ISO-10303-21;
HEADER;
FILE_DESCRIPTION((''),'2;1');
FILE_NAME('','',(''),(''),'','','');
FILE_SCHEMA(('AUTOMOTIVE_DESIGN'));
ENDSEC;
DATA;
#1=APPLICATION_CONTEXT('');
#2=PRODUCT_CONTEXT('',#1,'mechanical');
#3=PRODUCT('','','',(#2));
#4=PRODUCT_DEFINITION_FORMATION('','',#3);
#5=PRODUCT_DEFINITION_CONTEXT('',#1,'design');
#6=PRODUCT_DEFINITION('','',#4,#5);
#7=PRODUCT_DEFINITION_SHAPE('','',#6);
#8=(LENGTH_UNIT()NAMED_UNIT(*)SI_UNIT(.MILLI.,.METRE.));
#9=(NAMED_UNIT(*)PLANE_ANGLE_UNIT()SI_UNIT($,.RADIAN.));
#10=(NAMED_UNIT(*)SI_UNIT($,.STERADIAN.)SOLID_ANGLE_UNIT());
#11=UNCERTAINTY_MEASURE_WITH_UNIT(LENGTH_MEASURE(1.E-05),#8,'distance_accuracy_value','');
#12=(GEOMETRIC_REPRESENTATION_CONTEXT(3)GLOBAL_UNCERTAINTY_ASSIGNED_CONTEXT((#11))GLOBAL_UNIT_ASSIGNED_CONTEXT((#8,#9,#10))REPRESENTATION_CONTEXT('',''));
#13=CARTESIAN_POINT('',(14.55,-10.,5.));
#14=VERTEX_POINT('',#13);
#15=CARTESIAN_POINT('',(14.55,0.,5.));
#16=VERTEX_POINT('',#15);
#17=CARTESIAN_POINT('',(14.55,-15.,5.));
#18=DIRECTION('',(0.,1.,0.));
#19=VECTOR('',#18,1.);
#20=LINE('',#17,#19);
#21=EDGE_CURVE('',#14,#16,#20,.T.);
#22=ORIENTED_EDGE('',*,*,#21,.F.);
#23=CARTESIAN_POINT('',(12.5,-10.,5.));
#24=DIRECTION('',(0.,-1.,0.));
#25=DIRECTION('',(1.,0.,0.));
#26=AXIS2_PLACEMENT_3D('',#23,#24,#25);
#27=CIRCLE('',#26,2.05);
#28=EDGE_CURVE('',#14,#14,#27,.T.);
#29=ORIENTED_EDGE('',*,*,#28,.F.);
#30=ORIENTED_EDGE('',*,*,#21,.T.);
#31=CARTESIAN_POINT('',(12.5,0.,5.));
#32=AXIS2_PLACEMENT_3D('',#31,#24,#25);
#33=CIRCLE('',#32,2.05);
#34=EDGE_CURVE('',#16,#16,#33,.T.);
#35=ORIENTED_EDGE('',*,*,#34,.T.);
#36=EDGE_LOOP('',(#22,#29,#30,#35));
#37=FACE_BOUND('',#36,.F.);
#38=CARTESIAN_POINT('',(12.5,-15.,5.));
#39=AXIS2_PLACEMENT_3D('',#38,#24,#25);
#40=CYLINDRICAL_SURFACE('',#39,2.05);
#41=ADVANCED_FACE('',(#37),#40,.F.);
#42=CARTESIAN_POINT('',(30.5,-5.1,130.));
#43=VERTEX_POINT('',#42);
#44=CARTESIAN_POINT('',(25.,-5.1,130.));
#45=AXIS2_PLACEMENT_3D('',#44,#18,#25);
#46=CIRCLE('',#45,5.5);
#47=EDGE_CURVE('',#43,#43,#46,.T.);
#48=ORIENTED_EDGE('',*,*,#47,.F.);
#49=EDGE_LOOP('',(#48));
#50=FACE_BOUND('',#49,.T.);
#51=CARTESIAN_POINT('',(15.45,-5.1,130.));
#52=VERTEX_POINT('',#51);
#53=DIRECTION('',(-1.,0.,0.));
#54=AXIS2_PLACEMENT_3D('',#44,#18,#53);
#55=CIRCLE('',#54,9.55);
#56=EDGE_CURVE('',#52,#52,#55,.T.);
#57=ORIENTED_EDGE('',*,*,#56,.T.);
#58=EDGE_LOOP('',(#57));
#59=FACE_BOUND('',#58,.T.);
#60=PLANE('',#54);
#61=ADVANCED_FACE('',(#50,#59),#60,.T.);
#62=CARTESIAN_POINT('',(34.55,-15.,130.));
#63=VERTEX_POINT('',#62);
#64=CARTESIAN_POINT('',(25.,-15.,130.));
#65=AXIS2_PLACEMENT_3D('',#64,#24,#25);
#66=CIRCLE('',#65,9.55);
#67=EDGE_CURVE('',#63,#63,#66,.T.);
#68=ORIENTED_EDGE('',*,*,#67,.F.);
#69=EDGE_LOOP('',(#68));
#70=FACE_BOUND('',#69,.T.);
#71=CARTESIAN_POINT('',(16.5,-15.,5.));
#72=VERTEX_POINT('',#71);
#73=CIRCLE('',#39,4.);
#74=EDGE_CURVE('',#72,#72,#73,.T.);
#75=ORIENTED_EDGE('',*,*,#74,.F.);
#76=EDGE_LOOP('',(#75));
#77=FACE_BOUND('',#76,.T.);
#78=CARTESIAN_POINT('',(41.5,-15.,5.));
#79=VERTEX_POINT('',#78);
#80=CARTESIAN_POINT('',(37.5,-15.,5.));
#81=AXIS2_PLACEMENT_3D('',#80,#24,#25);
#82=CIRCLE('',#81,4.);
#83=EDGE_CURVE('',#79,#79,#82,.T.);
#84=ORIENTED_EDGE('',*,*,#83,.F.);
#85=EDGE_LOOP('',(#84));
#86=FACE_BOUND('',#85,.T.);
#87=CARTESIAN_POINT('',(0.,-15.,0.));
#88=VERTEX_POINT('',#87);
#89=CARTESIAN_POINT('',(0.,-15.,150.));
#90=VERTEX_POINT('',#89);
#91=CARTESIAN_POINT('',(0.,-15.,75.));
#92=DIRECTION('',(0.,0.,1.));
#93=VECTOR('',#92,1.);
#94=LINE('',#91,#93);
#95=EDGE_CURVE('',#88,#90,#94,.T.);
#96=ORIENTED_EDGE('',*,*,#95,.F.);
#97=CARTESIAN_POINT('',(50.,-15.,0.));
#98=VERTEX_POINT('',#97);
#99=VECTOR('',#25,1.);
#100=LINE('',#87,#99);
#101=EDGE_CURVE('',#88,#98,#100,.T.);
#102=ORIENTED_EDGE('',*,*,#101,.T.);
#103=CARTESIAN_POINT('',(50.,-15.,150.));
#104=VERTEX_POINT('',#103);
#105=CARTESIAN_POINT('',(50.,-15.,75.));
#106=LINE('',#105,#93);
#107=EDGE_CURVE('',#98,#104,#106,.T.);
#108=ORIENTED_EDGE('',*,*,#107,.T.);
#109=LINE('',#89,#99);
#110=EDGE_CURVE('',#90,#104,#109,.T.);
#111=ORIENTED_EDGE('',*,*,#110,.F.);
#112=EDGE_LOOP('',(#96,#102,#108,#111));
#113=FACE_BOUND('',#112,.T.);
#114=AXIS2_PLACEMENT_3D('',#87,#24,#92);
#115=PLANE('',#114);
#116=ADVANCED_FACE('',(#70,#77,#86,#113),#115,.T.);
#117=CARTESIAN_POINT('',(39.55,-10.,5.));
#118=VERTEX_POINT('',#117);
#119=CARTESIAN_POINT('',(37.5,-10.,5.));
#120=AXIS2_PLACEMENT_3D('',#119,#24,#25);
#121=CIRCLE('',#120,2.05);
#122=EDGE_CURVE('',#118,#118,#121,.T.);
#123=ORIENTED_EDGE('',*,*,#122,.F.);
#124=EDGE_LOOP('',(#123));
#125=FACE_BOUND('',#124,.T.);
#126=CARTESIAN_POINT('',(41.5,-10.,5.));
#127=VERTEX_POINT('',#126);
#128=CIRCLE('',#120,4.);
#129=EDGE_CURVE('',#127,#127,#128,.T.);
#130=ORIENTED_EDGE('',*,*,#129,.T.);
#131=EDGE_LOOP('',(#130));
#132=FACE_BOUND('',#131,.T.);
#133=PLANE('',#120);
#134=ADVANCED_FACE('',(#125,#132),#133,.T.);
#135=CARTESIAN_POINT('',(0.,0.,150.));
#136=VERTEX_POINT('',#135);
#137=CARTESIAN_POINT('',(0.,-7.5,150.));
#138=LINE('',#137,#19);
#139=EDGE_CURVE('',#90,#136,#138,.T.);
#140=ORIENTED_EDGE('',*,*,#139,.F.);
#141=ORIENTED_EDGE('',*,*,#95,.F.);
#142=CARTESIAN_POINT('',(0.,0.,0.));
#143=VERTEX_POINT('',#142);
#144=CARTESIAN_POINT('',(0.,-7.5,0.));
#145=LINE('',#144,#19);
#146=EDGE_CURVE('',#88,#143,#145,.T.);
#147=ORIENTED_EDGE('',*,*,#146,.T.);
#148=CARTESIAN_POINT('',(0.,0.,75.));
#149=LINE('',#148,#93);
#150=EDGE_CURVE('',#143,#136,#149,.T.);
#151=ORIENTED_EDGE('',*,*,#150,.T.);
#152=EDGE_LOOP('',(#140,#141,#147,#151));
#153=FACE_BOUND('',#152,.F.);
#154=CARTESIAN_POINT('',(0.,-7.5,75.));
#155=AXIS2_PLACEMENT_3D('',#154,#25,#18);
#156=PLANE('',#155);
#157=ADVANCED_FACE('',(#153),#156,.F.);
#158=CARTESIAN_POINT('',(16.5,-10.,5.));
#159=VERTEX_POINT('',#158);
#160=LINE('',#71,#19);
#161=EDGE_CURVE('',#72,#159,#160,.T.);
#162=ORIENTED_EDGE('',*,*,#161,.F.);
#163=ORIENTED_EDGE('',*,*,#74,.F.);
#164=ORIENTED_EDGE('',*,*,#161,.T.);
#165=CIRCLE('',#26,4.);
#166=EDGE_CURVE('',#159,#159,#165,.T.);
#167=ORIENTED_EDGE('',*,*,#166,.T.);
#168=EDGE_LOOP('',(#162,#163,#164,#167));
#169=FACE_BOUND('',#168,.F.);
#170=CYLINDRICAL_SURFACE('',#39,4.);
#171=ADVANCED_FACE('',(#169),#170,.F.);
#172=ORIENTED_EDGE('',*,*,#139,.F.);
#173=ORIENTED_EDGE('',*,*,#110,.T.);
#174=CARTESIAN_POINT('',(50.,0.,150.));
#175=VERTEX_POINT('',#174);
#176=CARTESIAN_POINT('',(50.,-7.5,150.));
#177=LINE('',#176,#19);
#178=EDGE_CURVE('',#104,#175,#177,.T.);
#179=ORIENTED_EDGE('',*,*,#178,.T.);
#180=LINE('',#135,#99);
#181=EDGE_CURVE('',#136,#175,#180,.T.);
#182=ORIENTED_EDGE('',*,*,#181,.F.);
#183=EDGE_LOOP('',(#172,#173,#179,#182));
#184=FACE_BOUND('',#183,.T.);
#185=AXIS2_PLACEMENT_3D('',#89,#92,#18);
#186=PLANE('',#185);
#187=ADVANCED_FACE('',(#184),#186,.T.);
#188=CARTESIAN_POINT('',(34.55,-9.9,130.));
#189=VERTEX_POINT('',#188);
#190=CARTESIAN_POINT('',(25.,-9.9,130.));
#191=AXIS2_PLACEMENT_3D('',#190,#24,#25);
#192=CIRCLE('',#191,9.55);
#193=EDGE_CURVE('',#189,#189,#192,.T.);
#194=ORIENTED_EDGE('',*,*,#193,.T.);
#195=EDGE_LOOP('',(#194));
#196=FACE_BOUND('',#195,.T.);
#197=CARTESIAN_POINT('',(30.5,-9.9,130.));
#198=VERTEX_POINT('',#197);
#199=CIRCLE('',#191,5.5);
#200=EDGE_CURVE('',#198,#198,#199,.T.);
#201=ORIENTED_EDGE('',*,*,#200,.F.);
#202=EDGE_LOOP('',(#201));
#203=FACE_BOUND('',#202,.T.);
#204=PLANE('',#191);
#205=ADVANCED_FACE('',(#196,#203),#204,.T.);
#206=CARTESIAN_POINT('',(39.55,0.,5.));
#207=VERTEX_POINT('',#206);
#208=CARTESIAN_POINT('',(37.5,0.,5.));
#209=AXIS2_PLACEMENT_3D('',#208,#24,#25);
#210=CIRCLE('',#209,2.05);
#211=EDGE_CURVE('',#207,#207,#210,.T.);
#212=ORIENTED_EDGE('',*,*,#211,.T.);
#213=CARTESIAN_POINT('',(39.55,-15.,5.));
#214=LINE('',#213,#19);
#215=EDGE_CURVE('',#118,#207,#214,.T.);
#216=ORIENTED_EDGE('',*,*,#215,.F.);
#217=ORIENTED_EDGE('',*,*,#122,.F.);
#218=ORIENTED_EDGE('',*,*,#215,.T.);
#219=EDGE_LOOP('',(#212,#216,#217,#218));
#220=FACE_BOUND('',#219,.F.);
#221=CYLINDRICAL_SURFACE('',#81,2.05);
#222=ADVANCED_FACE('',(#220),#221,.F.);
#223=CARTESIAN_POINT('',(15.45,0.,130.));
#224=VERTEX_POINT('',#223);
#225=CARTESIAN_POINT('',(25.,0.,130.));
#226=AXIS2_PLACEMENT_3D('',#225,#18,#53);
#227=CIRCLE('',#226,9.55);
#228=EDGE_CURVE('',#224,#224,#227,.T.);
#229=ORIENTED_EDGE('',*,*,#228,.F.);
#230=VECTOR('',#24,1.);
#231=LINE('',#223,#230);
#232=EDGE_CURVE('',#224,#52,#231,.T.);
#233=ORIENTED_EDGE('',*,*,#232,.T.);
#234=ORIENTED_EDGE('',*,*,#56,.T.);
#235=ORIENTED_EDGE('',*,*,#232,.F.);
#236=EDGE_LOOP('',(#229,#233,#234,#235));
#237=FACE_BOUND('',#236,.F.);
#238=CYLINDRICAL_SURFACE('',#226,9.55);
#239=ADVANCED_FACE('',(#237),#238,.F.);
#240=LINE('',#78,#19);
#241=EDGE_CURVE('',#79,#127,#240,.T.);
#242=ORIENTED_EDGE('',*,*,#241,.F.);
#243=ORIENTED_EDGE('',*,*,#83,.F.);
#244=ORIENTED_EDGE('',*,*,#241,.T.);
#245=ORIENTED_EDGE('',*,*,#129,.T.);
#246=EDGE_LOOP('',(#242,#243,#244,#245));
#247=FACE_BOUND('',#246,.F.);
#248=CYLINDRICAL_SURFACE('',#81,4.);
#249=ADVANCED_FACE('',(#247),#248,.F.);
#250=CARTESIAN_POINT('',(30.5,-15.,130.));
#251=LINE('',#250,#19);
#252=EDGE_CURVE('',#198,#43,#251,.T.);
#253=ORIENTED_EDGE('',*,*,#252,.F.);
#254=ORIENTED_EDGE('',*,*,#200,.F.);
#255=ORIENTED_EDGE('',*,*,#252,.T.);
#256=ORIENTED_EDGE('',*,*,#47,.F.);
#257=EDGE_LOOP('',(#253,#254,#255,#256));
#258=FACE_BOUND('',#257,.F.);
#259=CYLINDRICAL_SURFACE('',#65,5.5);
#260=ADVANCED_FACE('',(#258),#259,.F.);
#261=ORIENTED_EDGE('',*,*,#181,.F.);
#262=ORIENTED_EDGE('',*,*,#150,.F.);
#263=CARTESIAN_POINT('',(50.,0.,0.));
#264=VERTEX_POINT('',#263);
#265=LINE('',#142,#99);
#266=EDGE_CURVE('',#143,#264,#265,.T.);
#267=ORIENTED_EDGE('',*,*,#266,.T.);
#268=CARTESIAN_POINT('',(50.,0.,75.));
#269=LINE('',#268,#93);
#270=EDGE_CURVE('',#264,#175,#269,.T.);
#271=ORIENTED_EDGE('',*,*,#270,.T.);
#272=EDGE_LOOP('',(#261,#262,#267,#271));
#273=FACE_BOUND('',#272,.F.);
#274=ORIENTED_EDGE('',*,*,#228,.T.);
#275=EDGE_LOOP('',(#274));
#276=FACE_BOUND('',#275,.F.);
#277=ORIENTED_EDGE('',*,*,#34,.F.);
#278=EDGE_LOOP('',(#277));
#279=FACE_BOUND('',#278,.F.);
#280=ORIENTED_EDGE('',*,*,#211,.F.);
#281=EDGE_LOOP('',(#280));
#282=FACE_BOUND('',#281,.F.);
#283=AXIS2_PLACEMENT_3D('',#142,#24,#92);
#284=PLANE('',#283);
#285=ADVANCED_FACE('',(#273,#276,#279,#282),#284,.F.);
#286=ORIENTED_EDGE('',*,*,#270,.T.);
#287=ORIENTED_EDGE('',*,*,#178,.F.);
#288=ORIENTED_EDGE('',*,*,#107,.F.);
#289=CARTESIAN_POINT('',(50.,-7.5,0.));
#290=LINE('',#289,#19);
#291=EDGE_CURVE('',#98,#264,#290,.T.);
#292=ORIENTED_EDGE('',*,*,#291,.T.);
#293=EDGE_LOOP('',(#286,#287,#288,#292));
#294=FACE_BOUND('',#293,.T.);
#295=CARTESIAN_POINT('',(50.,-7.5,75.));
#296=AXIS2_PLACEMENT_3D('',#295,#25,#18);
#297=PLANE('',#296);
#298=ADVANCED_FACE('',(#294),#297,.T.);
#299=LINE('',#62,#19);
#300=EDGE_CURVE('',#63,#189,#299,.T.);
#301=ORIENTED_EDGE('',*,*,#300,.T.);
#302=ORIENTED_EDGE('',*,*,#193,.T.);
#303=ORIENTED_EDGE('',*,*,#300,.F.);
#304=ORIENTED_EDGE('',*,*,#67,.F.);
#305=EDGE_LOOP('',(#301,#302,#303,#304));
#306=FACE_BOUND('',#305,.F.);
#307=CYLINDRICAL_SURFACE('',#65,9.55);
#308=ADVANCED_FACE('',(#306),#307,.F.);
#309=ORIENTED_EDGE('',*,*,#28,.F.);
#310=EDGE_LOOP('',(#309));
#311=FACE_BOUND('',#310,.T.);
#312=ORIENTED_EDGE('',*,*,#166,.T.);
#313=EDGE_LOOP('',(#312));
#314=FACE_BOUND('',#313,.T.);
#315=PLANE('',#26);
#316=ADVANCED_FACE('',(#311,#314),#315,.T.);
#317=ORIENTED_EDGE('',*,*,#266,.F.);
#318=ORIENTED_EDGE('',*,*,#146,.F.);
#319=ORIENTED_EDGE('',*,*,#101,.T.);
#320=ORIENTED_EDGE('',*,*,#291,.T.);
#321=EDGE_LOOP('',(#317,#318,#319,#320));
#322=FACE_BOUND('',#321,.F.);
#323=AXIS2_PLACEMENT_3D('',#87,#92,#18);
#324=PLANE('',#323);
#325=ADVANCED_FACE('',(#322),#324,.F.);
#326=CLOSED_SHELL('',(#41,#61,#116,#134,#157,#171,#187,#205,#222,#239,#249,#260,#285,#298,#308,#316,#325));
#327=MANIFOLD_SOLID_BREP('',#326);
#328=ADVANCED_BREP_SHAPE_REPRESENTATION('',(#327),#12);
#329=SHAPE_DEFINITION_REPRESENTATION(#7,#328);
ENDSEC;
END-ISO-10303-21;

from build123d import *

# Parameters (mm, degrees)
F0_W     = 15
F0_H     = 150
F1_DEPTH = 50
F2_R     = 5.5
F2_R_2   = 2.05
F3_DEPTH = 15
F2_R_3   = 4
F4_DEPTH = 5
F2_R_4   = 9.55
F5_DEPTH = 5.1
F6_R     = 9.55
F6_R_2   = 5.5
F7_DEPTH = 5.1


with BuildPart() as f1:
    # F0 (on Right) → F1 (new body)
    with BuildSketch(Plane.YZ):
        with Locations((-7.5, 75)):
            Rectangle(F0_W, F0_H)
    extrude(amount=F1_DEPTH)

    # F2 (on face) → F3 (cut, through all)
    with BuildSketch(Plane.XZ.offset(15)):
        with Locations((25, 130)):
            Circle(F2_R)
        with Locations((12.5, 5)):
            Circle(F2_R_2)
        with Locations((37.5, 5)):
            Circle(F2_R_2)
    extrude(amount=-F3_DEPTH, mode=Mode.SUBTRACT)

    # F2 (on face) → F4 (cut)
    with BuildSketch(Plane.XZ.offset(15)):
        with Locations((12.5, 5)):
            Circle(F2_R_3)
        with Locations((12.5, 5)):
            Circle(F2_R_2, mode=Mode.SUBTRACT)
        with Locations((37.5, 5)):
            Circle(F2_R_3)
        with Locations((37.5, 5)):
            Circle(F2_R_2, mode=Mode.SUBTRACT)
    extrude(amount=-F4_DEPTH, mode=Mode.SUBTRACT)

    # F2 (on face) → F5 (cut)
    with BuildSketch(Plane.XZ.offset(15)):
        with Locations((25, 130)):
            Circle(F2_R_4)
        with Locations((25, 130)):
            Circle(F2_R, mode=Mode.SUBTRACT)
    extrude(amount=-F5_DEPTH, mode=Mode.SUBTRACT)

    # F6 (on face) → F7 (cut)
    with BuildSketch(Plane(origin=(0, 0, 0), x_dir=(-1, 0, 0), z_dir=(0, 1, 0))):
        with Locations((-25, 130)):
            Circle(F6_R)
        with Locations((-25, 130)):
            Circle(F6_R_2, mode=Mode.SUBTRACT)
    extrude(amount=-F7_DEPTH, mode=Mode.SUBTRACT)


solid = f1.part
